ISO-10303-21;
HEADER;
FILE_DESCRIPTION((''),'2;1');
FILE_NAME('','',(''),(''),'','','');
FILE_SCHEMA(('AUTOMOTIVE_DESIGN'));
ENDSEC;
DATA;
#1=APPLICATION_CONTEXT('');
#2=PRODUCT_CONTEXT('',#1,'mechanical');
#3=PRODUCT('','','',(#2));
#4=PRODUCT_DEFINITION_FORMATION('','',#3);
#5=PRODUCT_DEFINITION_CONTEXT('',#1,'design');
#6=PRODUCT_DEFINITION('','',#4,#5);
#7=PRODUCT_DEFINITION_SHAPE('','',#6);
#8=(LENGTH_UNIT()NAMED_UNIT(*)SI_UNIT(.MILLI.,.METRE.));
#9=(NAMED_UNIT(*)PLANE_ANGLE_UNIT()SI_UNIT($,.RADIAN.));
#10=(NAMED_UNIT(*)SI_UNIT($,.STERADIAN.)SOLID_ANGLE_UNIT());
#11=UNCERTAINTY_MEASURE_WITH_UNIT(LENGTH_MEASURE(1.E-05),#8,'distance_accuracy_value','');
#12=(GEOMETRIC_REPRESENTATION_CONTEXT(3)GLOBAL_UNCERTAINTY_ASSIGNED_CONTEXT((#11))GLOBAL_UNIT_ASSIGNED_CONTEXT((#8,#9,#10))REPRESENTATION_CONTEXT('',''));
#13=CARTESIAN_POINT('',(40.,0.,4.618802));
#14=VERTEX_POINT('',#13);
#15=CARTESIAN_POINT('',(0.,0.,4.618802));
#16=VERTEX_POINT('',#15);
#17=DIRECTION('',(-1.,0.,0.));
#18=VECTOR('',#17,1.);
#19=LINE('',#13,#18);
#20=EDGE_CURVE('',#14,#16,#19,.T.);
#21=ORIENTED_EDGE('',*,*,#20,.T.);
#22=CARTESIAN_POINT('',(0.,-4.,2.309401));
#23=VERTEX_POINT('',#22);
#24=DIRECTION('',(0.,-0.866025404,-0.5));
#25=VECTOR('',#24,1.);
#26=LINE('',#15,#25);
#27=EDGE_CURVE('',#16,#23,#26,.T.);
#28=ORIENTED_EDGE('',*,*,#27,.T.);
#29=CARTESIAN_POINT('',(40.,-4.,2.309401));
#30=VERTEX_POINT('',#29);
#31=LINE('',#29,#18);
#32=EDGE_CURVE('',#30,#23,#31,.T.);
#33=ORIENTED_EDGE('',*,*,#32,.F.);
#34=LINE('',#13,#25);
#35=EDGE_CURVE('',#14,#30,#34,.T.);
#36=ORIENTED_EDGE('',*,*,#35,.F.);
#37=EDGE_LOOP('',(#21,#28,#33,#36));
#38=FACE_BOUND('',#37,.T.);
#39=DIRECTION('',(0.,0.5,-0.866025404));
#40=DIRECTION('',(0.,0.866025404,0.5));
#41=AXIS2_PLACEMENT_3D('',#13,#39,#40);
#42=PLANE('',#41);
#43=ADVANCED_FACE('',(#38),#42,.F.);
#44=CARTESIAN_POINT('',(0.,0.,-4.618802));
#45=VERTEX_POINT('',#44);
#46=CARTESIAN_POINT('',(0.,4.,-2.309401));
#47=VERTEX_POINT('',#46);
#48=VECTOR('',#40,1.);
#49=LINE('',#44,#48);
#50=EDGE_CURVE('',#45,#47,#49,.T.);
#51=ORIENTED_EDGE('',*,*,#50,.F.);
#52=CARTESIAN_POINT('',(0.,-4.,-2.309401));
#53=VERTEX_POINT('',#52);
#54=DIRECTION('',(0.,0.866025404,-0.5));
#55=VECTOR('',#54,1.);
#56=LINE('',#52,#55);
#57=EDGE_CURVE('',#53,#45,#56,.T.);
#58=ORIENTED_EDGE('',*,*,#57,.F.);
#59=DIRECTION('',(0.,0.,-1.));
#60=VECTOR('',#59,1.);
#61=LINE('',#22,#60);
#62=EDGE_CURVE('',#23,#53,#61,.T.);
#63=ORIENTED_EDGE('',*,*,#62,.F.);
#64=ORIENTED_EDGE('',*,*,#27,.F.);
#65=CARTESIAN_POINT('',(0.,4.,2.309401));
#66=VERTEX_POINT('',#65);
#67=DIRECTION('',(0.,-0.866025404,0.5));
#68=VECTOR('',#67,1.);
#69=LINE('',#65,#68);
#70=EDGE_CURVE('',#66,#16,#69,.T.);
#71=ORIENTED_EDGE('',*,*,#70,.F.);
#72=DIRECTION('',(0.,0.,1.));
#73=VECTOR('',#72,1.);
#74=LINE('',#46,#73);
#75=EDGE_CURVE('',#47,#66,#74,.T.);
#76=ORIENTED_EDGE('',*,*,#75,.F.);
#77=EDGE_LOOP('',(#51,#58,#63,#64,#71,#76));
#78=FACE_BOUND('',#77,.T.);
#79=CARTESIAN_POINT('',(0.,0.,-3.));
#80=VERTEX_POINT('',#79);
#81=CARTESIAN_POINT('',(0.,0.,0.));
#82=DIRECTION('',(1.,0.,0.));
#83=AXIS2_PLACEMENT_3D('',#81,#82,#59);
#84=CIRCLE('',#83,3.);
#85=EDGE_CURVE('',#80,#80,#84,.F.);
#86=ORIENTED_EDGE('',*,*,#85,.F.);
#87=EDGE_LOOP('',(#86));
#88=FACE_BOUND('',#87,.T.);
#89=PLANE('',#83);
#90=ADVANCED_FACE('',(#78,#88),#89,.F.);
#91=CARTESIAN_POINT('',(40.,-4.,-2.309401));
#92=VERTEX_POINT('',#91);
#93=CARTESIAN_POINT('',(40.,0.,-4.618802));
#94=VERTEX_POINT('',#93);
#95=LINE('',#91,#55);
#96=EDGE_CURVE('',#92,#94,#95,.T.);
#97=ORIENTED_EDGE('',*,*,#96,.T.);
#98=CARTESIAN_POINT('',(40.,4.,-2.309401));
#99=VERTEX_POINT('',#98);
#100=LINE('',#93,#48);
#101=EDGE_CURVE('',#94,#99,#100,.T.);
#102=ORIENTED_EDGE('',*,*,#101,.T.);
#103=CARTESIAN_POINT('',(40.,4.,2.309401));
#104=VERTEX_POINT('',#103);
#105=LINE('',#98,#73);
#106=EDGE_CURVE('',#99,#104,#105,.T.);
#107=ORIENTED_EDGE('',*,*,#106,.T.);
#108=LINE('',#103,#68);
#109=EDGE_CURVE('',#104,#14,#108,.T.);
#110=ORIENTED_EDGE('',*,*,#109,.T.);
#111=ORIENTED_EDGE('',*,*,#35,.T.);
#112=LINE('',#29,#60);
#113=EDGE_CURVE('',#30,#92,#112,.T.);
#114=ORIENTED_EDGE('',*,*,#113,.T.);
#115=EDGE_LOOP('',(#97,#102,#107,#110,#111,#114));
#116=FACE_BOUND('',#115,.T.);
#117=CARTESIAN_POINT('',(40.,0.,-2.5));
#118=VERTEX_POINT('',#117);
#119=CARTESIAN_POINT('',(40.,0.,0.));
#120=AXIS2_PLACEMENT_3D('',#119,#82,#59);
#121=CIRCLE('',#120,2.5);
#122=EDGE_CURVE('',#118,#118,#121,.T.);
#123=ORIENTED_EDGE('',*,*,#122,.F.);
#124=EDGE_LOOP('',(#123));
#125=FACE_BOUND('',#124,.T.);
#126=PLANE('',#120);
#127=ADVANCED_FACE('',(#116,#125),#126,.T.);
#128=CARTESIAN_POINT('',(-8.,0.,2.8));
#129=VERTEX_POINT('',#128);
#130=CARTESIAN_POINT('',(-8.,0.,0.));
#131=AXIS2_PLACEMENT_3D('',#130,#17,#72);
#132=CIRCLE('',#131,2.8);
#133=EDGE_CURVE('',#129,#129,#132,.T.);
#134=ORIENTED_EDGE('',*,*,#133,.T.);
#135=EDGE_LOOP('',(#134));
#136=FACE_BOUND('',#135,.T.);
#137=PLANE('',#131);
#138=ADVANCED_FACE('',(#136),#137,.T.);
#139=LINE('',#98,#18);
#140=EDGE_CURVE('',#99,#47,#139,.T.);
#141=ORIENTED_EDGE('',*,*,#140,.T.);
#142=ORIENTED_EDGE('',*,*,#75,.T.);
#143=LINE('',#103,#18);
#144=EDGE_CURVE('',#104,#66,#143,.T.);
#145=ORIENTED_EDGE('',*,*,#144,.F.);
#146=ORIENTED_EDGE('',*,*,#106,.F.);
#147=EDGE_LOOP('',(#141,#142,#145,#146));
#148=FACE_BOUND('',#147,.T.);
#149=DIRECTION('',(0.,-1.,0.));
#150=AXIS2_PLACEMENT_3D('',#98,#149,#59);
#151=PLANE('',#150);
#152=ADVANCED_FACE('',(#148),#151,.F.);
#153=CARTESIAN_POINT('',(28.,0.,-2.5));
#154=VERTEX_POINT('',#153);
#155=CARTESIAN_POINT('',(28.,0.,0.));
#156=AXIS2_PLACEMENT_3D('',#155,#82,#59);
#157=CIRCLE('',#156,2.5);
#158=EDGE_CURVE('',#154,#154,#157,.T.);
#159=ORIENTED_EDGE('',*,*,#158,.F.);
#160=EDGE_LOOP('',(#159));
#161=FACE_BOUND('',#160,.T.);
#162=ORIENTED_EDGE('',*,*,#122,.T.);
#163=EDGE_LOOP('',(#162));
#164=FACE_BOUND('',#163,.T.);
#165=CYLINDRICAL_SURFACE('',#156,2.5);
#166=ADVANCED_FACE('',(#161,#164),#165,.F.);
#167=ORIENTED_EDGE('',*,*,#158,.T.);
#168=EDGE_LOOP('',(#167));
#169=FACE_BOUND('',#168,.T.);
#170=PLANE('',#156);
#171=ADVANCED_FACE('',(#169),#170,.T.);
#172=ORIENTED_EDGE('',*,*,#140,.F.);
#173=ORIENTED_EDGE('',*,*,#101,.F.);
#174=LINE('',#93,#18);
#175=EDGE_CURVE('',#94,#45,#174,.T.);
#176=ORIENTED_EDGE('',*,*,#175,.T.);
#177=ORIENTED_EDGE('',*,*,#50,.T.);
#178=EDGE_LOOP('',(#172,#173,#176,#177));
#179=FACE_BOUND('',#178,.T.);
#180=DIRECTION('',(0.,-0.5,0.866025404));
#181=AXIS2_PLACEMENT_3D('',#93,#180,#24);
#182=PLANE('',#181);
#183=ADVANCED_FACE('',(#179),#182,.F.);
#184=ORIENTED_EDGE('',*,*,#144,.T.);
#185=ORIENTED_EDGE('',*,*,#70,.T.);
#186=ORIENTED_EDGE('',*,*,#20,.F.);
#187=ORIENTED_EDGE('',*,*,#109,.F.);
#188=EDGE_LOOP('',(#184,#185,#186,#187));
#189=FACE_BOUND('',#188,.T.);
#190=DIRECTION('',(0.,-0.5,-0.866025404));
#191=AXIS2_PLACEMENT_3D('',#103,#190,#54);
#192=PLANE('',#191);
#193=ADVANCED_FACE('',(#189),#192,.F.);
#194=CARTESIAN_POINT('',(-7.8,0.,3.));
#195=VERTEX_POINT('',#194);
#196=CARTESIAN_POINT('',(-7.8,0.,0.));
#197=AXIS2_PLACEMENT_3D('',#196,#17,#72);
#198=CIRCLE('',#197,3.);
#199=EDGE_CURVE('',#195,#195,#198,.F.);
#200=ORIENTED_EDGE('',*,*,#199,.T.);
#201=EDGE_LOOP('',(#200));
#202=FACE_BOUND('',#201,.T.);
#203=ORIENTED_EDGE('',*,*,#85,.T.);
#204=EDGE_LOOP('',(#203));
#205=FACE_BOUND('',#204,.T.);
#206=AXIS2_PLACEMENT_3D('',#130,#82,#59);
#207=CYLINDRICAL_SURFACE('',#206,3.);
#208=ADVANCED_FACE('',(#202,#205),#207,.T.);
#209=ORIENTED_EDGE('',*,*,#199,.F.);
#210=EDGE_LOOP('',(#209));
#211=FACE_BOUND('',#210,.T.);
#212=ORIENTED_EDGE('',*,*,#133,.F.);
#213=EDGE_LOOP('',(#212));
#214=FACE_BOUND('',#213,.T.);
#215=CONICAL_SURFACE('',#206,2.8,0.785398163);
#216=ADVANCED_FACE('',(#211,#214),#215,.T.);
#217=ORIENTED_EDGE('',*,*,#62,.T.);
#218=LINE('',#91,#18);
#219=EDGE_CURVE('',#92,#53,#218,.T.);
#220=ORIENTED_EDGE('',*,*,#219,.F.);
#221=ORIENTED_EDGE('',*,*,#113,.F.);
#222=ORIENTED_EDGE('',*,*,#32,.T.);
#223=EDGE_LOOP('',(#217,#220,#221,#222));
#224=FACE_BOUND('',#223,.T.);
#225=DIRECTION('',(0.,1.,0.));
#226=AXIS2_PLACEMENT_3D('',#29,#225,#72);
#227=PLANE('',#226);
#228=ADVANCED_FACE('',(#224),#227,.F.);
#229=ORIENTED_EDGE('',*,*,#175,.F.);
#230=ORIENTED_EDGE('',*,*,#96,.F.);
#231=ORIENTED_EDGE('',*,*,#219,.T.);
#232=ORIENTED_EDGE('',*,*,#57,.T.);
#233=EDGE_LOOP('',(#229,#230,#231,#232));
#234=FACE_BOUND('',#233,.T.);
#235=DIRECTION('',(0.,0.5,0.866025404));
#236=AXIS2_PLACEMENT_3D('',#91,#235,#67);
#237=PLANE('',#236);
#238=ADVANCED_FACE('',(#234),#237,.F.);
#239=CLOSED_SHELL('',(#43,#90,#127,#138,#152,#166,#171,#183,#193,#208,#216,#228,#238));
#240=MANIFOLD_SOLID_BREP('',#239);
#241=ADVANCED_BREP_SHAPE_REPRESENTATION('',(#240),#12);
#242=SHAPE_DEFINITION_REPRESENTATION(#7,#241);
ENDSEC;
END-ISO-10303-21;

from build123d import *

# Parameters (mm, degrees)
EXTRUDE_1_DEPTH     = 40
SKETCH_2_R          = 2.5
CUT_EXTRUDE_1_DEPTH = 12
SKETCH_3_R          = 3
EXTRUDE_2_DEPTH     = 8
CHAMFER_1_SIZE      = 0.2


with BuildPart() as part:
    # 草图1 → 凸台-拉伸1 (new body)
    with BuildSketch(Plane(origin=(0, 0, 0), x_dir=(0, 0, -1), z_dir=(1, 0, 0))):
        Polygon((4.618802154, 0), (2.309401077, 4), (-2.309401077, 4), (-4.618802154, 0), (-2.309401077, -4), (2.309401077, -4), align=None)
    extrude(amount=EXTRUDE_1_DEPTH)

    # 草图2 → 切除-拉伸1 (cut)
    with BuildSketch(Plane(origin=(40, 0, 0), x_dir=(0, 0, -1), z_dir=(1, 0, 0))):
        Circle(SKETCH_2_R)
    extrude(amount=-CUT_EXTRUDE_1_DEPTH, mode=Mode.SUBTRACT)

    # 草图3 → 凸台-拉伸2 (add)
    with BuildSketch(Plane.ZY):
        Circle(SKETCH_3_R)
    extrude(amount=EXTRUDE_2_DEPTH)

    # 倒角1
    chamfer_1_edges = [part.edges().sort_by_distance(p)[0] for p in [
        (-8, 0, -3),
    ]]
    chamfer(chamfer_1_edges, length=CHAMFER_1_SIZE)


solid = part.part
